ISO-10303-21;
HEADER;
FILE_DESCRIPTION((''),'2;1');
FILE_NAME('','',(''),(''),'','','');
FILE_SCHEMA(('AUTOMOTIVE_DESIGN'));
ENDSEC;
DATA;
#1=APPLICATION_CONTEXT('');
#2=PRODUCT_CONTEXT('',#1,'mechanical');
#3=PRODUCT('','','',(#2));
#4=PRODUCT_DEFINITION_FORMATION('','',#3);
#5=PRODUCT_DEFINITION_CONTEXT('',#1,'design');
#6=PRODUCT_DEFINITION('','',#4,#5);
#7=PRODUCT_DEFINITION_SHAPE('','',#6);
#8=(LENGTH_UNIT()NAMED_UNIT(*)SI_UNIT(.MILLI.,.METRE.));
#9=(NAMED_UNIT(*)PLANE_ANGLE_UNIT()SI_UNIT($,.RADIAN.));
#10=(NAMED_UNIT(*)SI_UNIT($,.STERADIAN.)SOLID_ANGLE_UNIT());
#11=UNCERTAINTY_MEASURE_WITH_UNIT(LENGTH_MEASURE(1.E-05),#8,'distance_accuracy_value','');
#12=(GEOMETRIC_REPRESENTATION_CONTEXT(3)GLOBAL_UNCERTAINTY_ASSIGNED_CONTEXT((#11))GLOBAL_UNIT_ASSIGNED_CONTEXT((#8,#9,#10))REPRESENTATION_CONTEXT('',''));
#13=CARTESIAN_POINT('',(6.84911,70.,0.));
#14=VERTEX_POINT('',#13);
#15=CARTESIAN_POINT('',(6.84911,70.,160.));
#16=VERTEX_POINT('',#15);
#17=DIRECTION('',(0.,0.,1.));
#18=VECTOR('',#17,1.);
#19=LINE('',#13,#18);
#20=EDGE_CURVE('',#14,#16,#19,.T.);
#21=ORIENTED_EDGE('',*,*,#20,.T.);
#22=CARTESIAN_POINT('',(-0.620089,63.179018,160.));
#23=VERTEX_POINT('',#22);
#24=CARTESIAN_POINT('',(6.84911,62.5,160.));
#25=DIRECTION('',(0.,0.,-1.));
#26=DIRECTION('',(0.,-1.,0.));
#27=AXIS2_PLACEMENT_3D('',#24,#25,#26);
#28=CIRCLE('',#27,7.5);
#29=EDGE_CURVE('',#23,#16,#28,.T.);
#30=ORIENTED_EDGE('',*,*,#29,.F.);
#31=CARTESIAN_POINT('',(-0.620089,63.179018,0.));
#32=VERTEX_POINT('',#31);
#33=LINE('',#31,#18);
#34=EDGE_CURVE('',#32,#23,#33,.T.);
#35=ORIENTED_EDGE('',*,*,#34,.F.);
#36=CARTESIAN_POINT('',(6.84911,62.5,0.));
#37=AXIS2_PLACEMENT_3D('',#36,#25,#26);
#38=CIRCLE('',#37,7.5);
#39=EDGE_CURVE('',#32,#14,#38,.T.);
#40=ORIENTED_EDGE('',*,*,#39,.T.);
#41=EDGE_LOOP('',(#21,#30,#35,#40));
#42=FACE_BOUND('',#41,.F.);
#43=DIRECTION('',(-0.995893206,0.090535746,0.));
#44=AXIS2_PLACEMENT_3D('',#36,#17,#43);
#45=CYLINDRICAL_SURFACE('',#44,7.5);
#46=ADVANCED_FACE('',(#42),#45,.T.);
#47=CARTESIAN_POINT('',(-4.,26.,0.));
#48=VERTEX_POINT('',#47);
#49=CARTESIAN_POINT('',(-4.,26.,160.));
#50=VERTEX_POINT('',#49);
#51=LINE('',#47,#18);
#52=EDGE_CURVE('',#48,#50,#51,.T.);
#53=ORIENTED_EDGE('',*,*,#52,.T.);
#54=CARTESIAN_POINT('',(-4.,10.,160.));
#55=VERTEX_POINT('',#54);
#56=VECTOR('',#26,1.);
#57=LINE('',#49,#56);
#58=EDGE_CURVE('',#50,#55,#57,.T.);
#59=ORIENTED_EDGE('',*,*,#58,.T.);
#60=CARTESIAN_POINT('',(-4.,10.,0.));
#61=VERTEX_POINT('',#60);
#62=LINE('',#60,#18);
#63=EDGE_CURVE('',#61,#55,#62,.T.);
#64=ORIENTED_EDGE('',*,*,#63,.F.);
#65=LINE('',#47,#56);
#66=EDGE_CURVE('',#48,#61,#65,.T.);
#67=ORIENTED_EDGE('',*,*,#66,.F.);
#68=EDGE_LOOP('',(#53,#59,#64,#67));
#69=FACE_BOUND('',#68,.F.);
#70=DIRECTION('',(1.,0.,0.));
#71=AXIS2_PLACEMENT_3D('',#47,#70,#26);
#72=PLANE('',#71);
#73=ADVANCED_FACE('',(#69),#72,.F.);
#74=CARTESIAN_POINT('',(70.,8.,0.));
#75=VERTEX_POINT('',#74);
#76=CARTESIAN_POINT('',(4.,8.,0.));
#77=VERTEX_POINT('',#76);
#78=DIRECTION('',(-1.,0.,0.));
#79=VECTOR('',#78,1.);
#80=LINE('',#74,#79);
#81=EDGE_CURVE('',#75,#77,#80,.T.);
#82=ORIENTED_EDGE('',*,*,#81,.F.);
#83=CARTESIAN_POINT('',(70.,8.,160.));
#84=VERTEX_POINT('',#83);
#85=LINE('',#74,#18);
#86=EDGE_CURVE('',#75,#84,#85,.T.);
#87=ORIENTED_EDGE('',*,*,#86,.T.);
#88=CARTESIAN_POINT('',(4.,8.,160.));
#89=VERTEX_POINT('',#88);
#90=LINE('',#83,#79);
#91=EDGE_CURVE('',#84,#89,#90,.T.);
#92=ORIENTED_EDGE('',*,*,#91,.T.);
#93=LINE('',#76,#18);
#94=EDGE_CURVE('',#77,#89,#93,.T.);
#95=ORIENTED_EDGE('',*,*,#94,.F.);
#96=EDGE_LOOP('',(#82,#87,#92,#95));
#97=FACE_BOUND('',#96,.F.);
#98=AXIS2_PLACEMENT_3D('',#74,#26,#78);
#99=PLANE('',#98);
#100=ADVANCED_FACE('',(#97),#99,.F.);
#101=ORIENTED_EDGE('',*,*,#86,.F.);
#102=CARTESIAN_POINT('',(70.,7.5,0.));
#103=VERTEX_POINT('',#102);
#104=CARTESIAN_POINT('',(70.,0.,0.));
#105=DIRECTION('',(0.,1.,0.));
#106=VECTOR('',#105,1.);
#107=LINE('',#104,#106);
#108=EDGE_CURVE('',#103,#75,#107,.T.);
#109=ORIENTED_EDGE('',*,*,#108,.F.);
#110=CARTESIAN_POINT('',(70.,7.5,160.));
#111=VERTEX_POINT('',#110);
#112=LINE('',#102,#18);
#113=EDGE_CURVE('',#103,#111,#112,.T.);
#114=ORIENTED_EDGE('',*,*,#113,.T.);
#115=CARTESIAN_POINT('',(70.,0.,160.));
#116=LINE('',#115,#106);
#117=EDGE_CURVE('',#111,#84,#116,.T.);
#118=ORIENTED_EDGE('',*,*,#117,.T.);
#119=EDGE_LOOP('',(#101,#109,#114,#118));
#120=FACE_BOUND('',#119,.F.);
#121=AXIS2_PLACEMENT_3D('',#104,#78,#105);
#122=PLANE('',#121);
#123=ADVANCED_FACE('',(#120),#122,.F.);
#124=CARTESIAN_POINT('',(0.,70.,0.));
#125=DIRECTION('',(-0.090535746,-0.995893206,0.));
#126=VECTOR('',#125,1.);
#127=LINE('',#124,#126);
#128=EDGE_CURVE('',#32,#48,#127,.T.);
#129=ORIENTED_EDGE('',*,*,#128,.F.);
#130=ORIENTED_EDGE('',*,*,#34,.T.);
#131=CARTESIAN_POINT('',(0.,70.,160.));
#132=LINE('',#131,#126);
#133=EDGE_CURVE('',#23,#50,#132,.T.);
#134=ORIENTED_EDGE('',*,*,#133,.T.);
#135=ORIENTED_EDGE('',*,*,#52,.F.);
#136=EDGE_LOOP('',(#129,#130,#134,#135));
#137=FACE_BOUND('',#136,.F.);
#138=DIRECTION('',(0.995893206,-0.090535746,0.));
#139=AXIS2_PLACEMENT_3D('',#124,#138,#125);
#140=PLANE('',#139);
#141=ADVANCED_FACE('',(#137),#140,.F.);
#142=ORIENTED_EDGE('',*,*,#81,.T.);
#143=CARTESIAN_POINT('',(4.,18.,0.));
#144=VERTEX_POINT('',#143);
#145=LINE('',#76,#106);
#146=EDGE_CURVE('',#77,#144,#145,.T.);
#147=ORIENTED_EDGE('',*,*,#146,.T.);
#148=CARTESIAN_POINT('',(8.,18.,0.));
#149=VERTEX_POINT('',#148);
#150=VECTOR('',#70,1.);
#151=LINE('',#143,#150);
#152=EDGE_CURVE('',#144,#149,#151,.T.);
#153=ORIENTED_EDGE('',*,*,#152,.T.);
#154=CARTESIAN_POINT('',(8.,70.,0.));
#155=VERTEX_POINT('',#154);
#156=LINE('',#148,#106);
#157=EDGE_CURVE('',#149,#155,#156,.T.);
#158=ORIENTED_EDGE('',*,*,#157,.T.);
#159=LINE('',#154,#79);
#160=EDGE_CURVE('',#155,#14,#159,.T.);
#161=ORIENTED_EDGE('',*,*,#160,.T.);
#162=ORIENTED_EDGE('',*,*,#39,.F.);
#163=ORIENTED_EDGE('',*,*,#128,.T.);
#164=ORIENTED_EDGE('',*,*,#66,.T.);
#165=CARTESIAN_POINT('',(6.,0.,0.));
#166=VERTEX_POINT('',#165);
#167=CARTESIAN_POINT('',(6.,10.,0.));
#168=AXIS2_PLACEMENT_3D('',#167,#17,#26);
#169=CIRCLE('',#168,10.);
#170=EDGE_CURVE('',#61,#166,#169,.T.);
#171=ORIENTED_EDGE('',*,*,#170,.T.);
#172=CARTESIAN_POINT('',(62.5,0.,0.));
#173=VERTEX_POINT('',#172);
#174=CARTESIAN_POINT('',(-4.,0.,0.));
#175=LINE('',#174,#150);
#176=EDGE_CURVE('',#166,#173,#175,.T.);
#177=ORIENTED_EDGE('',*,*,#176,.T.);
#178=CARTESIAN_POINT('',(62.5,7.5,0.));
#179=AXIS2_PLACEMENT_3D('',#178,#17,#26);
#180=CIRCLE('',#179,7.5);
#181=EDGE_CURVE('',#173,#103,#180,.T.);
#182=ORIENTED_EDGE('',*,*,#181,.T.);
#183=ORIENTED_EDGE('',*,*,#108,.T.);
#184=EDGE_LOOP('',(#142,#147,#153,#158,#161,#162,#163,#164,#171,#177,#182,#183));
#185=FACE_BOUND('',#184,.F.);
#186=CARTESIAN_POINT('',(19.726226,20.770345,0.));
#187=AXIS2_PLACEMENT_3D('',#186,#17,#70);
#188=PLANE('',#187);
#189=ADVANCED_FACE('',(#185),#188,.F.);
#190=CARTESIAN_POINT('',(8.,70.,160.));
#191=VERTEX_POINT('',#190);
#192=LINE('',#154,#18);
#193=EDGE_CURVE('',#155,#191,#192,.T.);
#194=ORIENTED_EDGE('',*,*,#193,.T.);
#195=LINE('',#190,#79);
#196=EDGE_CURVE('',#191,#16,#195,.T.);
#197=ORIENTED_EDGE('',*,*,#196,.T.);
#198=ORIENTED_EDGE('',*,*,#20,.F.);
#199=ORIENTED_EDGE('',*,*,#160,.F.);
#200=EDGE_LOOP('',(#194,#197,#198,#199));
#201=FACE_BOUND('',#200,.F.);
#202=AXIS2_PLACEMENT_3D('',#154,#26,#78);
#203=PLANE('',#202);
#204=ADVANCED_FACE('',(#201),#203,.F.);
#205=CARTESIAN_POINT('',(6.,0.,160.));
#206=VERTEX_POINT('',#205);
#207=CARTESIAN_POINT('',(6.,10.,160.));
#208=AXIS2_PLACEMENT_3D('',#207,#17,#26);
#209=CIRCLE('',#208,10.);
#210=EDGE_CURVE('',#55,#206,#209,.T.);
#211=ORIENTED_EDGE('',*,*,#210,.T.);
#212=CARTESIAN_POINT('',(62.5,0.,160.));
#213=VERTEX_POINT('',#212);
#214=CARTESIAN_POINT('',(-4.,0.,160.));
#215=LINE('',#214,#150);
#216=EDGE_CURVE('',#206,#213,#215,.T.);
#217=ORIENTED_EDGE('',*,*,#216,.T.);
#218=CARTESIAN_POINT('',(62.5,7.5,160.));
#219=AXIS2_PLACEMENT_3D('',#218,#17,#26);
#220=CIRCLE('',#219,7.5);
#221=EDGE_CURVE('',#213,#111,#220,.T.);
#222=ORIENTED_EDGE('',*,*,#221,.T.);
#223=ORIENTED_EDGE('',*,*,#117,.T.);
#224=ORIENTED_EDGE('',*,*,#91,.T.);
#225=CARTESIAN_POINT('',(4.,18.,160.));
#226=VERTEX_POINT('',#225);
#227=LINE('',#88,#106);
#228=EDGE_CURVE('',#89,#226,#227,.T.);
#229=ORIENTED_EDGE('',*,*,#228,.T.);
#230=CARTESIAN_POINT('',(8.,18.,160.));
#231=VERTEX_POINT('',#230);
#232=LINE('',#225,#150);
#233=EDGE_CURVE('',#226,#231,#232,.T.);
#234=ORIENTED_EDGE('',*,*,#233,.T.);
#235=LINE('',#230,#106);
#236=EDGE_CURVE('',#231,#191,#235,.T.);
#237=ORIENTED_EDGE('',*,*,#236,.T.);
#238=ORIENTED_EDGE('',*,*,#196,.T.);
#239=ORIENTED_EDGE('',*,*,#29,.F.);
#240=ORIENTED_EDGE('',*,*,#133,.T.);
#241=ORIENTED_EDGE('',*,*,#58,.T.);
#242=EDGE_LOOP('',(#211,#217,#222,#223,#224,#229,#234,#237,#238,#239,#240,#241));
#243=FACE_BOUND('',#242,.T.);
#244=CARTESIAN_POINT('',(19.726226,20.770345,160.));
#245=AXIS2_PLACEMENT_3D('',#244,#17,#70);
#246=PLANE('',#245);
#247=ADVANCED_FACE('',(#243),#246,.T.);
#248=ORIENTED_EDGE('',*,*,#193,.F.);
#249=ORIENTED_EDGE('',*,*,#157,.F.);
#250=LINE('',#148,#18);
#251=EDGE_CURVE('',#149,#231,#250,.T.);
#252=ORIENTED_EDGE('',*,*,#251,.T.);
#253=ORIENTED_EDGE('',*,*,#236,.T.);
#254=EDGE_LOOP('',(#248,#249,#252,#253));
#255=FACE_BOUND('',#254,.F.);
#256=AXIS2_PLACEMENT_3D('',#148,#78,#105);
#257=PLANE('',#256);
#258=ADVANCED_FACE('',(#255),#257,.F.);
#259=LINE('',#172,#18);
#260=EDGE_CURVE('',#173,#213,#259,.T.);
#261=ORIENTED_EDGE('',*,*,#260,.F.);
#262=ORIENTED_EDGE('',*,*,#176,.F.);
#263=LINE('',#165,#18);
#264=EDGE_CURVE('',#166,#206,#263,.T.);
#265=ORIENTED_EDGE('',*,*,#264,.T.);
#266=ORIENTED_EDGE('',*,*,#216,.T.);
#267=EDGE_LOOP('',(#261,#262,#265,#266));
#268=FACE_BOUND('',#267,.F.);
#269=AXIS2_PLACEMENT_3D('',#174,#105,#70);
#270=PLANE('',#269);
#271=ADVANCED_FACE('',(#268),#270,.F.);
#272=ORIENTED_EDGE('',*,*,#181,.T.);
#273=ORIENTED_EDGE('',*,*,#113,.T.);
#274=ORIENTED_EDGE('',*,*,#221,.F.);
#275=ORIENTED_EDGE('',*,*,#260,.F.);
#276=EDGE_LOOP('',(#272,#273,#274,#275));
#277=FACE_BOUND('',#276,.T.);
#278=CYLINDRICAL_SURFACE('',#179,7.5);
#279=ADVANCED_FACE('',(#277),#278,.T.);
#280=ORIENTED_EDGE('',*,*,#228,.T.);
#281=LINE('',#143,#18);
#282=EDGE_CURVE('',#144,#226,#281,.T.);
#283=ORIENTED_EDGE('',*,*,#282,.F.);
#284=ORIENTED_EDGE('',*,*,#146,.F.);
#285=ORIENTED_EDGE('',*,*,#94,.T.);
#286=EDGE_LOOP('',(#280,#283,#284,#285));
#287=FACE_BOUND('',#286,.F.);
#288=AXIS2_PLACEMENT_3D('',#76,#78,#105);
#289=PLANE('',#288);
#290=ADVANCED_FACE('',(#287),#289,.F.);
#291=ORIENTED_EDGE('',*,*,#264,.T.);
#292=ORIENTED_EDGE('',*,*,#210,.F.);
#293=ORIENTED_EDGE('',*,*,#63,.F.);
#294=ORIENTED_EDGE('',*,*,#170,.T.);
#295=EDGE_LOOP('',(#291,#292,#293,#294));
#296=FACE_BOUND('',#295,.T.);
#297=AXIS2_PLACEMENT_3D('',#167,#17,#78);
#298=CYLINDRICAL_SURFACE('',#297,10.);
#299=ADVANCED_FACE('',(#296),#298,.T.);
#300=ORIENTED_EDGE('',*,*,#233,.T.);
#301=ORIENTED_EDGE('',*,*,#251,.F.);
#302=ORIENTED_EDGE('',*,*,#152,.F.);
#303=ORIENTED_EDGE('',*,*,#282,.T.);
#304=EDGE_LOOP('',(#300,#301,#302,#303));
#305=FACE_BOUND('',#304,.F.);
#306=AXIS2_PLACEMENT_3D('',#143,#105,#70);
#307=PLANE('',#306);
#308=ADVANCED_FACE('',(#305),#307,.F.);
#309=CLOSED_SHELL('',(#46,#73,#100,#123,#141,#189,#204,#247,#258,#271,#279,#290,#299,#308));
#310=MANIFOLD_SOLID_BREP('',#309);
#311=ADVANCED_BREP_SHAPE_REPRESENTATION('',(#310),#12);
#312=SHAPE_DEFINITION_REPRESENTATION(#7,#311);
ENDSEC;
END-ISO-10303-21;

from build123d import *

# Parameters (mm, degrees)
PAD_DEPTH   = 160
FILLET_R    = 10
FILLET001_R = 7.5


with BuildPart() as part:
    # Sketch → Pad (new body)
    with BuildSketch(Plane.XY):
        Polygon((0, 0), (70, 0), (70, 8), (4, 8), (4, 18), (8, 18), (8, 70), (0, 70), (-4, 26), (-4, 0), align=None)
    extrude(amount=PAD_DEPTH)

    # Fillet
    fillet_edges = [part.edges().sort_by_distance(p)[0] for p in [
        (-4, 0, 80),
    ]]
    fillet(fillet_edges, radius=FILLET_R)

    # Fillet001
    fillet001_edges = [part.edges().sort_by_distance(p)[0] for p in [
        (0, 70, 80),
        (70, 0, 80),
    ]]
    fillet(fillet001_edges, radius=FILLET001_R)


solid = part.part
